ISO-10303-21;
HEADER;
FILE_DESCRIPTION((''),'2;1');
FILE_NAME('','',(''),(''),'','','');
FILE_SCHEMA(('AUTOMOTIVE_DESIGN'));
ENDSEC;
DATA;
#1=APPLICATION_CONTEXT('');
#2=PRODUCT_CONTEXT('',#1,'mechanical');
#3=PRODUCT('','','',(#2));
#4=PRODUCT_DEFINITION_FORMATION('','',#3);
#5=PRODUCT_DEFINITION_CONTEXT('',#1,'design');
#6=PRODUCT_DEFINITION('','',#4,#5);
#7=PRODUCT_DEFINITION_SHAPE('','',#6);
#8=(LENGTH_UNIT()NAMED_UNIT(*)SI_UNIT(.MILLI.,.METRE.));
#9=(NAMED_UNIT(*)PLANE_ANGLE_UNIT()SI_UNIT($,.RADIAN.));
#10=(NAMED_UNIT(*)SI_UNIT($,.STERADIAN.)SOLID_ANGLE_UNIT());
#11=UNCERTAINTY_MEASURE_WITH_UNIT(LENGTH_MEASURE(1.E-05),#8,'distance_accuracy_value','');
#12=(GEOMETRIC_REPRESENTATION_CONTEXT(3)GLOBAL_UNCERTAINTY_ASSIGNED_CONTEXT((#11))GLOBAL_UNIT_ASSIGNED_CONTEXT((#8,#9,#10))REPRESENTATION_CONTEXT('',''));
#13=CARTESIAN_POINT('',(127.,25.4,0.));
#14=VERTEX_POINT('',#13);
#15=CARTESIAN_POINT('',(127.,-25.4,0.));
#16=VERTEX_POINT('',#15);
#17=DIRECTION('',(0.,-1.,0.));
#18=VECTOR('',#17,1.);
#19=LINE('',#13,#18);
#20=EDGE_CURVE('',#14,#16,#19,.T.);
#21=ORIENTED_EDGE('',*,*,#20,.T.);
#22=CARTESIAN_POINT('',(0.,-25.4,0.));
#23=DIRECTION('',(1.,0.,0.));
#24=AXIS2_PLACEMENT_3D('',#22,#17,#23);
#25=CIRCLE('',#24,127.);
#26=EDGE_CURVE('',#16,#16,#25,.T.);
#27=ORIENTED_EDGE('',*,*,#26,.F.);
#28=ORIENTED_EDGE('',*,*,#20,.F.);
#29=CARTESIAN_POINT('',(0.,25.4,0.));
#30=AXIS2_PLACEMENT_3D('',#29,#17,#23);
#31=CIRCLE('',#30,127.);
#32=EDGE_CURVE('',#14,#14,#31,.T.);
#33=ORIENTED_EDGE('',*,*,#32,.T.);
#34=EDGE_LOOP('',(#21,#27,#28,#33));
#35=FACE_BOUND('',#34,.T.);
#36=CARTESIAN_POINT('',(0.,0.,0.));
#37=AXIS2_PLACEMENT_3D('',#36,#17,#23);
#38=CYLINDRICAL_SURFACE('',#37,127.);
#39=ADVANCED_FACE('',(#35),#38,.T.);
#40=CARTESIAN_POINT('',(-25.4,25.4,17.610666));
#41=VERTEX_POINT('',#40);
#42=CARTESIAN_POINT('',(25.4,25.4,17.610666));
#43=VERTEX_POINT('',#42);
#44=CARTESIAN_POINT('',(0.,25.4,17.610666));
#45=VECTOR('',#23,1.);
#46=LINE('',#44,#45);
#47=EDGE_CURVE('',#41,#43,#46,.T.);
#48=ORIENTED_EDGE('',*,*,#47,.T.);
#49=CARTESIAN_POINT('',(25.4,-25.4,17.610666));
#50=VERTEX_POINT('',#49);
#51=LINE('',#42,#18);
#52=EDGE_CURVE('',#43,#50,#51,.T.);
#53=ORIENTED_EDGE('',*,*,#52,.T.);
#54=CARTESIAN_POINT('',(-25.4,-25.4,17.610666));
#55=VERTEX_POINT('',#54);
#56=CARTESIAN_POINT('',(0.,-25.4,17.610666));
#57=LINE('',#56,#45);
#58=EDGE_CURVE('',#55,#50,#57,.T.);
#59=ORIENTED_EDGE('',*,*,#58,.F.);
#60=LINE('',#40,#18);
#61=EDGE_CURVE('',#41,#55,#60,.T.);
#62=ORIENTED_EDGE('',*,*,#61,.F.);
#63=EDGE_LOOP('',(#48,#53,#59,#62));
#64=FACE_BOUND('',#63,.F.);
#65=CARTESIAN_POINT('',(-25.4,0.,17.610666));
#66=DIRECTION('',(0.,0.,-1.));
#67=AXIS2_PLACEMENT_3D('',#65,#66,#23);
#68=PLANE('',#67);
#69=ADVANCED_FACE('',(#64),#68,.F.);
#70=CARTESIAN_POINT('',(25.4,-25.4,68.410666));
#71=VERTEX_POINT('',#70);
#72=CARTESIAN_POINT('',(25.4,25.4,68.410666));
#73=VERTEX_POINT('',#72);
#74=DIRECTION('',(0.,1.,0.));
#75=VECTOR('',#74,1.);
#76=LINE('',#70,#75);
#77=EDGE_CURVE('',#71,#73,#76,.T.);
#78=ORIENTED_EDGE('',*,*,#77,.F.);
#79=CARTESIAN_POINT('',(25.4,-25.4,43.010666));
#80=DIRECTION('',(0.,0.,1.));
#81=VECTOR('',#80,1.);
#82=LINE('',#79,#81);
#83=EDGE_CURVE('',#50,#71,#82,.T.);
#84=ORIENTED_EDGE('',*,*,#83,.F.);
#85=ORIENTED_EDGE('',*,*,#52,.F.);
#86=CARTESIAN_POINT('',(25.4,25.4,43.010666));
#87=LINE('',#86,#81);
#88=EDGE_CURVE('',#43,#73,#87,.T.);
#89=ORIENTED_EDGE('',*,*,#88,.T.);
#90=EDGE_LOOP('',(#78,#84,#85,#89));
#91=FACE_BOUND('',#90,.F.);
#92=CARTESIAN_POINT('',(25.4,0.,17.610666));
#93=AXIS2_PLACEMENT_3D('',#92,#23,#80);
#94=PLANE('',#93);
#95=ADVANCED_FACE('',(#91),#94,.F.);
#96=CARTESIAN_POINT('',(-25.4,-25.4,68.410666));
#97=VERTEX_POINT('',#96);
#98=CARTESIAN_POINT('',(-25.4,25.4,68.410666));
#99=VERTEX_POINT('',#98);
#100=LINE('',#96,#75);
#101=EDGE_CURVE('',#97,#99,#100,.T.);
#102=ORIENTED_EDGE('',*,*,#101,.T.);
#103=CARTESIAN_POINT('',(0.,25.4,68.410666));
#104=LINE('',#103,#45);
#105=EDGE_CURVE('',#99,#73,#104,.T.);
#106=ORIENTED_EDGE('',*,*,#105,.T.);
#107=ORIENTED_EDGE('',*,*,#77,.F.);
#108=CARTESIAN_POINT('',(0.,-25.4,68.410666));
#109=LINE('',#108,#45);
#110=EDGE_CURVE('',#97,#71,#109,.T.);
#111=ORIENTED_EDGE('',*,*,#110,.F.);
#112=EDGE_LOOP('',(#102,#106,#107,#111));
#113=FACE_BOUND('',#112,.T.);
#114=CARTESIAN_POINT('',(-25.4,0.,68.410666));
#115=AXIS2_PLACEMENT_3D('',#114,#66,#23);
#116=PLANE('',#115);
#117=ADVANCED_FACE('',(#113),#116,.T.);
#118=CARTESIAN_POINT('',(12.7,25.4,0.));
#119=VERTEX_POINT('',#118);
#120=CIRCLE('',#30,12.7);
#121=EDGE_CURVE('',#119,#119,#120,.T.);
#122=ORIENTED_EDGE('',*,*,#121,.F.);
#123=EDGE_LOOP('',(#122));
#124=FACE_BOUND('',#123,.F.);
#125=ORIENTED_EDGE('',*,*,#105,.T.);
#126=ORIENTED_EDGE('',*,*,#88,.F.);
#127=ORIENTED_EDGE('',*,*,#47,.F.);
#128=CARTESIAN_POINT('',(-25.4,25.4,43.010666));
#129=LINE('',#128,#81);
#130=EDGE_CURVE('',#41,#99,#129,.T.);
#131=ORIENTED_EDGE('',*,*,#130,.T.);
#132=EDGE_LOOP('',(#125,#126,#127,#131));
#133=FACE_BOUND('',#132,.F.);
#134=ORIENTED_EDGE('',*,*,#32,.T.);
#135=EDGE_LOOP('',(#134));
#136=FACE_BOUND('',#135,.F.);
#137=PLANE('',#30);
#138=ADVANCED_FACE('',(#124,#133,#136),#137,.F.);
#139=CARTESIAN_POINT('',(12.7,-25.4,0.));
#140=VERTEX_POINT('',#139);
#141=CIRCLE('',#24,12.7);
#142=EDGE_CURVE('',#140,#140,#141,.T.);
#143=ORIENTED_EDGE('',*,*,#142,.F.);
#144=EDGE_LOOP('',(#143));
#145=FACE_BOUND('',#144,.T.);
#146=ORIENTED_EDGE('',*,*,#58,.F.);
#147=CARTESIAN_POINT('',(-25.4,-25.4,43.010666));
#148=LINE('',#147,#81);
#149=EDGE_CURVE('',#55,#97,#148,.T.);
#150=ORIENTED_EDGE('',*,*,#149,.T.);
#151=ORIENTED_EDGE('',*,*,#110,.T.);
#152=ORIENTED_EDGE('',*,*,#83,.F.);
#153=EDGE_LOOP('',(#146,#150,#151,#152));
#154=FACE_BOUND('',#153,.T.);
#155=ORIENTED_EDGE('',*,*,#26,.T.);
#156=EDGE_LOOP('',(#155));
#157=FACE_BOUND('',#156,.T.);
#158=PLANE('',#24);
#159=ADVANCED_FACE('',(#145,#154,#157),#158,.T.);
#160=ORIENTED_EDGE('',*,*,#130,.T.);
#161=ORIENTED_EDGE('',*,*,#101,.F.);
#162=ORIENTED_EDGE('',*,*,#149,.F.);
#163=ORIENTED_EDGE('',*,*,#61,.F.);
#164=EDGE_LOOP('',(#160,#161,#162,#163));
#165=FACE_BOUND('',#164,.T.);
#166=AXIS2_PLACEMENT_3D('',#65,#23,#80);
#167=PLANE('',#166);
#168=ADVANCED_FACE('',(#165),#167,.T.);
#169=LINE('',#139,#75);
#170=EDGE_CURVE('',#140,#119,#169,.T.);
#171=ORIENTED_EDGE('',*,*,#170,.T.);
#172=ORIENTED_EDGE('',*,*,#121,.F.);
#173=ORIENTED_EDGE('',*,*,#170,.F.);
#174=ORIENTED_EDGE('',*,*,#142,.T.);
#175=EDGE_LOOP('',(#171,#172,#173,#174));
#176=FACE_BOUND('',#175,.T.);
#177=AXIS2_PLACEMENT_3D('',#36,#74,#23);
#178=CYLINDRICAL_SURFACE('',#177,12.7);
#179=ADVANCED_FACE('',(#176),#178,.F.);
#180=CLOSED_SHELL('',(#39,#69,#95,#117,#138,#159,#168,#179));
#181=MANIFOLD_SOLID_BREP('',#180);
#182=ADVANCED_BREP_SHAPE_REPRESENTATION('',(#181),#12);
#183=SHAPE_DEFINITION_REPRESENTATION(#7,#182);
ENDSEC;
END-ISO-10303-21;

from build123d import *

# Parameters (mm, degrees)
F0_R     = 127
F0_R_2   = 12.7
F1_DEPTH = 25.4
F2_W     = 50.8
F2_H     = 50.8
F3_DEPTH = 25.4


with BuildPart() as f1:
    # F0 (on Front) → F1 (new body, symmetric)
    with BuildSketch(Plane.XZ):
        Circle(F0_R)
        Circle(F0_R_2, mode=Mode.SUBTRACT)
    extrude(amount=F1_DEPTH, both=True)

    # F2 (on Front) → F3 (cut, symmetric)
    with BuildSketch(Plane.XZ):
        with Locations((0, 43.010666)):
            Rectangle(F2_W, F2_H)
    extrude(amount=F3_DEPTH, both=True, mode=Mode.SUBTRACT)


solid = f1.part
